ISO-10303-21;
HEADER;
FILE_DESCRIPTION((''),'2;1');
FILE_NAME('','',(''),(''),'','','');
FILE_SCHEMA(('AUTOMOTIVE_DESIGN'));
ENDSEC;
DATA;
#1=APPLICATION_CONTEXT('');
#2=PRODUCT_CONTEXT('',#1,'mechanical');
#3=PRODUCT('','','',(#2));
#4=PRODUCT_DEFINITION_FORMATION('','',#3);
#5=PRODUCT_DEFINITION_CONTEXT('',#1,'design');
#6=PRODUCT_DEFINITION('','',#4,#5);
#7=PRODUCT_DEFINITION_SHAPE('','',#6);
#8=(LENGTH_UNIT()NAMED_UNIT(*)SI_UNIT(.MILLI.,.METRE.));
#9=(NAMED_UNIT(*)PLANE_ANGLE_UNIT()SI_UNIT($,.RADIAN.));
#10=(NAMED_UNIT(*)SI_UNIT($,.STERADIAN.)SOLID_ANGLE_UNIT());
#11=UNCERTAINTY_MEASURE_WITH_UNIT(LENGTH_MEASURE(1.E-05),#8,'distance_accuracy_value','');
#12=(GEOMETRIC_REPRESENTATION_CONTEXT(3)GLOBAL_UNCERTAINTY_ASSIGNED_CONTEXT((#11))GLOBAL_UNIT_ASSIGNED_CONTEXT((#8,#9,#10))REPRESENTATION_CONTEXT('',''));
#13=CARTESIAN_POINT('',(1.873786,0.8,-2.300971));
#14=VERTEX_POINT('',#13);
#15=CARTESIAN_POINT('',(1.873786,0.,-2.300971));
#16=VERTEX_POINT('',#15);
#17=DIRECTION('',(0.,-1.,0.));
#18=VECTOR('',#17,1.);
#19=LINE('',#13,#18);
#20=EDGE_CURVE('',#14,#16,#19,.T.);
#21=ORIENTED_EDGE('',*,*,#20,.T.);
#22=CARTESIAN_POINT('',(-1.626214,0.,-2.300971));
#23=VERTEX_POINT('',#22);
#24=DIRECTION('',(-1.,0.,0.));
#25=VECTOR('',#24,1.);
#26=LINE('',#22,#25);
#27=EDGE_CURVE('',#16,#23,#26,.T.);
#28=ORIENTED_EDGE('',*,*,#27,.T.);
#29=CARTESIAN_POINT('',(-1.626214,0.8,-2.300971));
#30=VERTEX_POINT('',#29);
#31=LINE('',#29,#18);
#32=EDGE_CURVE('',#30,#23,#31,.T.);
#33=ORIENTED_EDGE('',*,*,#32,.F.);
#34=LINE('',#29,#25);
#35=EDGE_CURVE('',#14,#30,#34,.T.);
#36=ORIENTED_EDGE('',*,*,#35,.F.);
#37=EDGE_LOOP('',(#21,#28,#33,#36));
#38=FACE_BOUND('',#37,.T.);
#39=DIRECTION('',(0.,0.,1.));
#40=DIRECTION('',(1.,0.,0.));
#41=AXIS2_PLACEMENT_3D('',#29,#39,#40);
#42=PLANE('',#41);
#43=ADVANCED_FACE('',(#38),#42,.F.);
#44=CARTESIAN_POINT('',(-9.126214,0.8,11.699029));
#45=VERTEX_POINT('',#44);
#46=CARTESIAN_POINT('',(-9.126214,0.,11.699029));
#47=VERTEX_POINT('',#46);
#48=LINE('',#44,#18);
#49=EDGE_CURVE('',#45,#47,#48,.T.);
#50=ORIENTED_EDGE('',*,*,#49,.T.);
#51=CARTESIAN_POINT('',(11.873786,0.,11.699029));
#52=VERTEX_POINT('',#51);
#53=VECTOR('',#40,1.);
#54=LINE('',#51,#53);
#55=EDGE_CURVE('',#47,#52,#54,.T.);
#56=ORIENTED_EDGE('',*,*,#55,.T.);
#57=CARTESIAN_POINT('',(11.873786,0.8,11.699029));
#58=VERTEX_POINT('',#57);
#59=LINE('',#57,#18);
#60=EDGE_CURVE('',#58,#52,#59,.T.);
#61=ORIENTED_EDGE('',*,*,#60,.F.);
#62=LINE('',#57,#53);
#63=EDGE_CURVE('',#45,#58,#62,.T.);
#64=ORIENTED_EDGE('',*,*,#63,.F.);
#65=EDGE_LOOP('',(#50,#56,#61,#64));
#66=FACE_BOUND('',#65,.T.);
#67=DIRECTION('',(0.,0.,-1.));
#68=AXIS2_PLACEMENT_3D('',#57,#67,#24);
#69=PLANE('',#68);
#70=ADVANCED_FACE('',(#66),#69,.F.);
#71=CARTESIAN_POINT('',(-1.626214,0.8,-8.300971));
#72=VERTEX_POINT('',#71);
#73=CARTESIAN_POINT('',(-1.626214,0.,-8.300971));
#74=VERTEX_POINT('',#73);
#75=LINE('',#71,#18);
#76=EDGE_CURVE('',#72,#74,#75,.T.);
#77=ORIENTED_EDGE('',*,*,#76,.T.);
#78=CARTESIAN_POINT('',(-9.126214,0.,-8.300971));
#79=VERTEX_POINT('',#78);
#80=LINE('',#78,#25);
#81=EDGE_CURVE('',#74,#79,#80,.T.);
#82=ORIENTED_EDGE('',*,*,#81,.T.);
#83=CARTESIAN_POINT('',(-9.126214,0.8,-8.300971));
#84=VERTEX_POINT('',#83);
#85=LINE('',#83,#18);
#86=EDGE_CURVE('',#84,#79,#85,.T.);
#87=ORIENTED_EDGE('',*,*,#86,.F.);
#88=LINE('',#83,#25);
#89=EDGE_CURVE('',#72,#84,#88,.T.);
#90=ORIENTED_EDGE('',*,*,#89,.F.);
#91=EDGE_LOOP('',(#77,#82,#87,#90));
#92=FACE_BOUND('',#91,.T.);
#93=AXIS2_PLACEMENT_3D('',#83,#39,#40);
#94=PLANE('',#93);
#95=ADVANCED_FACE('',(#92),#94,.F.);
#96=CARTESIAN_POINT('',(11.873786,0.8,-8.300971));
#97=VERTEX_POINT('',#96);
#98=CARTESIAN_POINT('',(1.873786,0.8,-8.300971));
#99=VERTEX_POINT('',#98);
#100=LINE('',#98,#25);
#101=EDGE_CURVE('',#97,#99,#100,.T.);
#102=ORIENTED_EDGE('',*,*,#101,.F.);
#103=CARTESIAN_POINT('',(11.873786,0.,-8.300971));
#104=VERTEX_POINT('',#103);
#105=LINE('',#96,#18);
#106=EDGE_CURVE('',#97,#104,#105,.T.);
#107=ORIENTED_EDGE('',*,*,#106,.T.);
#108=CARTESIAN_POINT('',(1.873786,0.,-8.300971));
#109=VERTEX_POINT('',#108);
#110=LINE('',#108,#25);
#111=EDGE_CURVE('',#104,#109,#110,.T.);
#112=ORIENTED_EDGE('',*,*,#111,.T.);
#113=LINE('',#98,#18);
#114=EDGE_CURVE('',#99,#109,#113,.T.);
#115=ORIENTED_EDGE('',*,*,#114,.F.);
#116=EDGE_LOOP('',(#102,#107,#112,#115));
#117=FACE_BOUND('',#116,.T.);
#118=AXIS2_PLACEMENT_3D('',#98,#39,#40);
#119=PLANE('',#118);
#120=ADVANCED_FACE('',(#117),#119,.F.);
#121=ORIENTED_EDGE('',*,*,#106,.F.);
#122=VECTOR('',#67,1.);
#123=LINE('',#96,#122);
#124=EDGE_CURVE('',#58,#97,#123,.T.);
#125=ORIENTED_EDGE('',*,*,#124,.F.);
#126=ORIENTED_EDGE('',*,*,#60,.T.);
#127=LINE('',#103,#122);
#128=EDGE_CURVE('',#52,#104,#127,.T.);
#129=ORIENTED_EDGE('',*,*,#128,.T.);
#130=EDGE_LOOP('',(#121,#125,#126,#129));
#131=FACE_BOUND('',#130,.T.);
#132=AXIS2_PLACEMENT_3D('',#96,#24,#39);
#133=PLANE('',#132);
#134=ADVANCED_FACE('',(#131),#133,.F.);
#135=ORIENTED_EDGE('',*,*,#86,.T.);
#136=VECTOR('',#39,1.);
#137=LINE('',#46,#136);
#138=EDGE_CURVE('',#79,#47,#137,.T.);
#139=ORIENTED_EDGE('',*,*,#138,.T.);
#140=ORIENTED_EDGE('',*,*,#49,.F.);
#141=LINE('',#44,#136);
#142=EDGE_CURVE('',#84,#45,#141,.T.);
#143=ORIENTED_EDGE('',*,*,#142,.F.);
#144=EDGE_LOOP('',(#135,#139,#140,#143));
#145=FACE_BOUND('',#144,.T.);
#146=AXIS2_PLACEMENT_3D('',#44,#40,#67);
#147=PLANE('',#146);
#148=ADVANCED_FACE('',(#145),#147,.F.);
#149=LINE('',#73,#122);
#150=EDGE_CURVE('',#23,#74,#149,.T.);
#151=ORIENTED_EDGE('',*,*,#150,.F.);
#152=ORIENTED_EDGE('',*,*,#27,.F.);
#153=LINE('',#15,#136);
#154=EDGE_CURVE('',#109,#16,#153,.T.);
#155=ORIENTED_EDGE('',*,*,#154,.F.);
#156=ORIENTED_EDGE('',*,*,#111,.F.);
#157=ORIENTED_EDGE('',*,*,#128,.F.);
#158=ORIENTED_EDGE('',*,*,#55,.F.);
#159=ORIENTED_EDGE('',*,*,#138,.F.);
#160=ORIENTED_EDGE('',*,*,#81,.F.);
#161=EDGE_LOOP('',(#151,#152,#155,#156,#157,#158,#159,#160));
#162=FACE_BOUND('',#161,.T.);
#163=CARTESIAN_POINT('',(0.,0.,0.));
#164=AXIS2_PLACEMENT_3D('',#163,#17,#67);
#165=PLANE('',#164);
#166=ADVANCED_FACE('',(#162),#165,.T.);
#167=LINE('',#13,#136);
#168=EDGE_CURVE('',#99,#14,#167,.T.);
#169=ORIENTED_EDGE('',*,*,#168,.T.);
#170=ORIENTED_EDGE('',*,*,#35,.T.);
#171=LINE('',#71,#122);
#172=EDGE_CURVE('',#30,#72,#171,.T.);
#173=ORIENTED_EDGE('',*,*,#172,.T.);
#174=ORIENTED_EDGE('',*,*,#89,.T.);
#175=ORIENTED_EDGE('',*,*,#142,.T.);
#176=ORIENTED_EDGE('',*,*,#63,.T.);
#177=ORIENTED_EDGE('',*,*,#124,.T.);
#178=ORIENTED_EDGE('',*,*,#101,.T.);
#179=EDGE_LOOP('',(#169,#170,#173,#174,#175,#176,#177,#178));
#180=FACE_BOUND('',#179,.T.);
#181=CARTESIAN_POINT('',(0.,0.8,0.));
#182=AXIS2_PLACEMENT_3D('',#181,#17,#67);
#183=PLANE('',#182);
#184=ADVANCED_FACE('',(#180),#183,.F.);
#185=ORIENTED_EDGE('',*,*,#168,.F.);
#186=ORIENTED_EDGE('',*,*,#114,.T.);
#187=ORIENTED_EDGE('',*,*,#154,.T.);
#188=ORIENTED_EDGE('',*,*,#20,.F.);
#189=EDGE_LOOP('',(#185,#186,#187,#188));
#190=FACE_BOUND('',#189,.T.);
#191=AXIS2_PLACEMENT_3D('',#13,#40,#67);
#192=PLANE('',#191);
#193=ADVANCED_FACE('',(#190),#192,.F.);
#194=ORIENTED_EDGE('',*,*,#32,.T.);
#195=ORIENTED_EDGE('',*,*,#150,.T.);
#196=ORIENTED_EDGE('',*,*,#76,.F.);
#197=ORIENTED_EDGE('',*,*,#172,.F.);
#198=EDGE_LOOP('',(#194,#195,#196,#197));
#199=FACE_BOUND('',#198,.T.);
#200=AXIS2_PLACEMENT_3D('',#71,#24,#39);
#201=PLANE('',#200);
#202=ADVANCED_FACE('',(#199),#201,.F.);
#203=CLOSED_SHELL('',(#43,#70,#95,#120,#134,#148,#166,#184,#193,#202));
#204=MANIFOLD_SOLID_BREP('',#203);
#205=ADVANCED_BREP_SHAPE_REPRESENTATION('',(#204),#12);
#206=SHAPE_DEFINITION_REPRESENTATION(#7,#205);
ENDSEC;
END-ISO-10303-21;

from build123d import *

# Parameters (mm, degrees)
BOSS_EXTRUDE1_DEPTH = 0.8


with BuildPart() as part:
    # Sketch2 → Boss-Extrude1 (new body)
    with BuildSketch(Plane(origin=(0, 0, 0), x_dir=(1, 0, 0), z_dir=(0, 1, 0))):
        Polygon((-9.126213592, 8.300970874), (-1.626213592, 8.300970874), (-1.626213592, 2.300970874), (1.873786408, 2.300970874), (1.873786408, 8.300970874), (11.873786408, 8.300970874), (11.873786408, -11.699029126), (-9.126213592, -11.699029126), align=None)
    extrude(amount=BOSS_EXTRUDE1_DEPTH)


solid = part.part
